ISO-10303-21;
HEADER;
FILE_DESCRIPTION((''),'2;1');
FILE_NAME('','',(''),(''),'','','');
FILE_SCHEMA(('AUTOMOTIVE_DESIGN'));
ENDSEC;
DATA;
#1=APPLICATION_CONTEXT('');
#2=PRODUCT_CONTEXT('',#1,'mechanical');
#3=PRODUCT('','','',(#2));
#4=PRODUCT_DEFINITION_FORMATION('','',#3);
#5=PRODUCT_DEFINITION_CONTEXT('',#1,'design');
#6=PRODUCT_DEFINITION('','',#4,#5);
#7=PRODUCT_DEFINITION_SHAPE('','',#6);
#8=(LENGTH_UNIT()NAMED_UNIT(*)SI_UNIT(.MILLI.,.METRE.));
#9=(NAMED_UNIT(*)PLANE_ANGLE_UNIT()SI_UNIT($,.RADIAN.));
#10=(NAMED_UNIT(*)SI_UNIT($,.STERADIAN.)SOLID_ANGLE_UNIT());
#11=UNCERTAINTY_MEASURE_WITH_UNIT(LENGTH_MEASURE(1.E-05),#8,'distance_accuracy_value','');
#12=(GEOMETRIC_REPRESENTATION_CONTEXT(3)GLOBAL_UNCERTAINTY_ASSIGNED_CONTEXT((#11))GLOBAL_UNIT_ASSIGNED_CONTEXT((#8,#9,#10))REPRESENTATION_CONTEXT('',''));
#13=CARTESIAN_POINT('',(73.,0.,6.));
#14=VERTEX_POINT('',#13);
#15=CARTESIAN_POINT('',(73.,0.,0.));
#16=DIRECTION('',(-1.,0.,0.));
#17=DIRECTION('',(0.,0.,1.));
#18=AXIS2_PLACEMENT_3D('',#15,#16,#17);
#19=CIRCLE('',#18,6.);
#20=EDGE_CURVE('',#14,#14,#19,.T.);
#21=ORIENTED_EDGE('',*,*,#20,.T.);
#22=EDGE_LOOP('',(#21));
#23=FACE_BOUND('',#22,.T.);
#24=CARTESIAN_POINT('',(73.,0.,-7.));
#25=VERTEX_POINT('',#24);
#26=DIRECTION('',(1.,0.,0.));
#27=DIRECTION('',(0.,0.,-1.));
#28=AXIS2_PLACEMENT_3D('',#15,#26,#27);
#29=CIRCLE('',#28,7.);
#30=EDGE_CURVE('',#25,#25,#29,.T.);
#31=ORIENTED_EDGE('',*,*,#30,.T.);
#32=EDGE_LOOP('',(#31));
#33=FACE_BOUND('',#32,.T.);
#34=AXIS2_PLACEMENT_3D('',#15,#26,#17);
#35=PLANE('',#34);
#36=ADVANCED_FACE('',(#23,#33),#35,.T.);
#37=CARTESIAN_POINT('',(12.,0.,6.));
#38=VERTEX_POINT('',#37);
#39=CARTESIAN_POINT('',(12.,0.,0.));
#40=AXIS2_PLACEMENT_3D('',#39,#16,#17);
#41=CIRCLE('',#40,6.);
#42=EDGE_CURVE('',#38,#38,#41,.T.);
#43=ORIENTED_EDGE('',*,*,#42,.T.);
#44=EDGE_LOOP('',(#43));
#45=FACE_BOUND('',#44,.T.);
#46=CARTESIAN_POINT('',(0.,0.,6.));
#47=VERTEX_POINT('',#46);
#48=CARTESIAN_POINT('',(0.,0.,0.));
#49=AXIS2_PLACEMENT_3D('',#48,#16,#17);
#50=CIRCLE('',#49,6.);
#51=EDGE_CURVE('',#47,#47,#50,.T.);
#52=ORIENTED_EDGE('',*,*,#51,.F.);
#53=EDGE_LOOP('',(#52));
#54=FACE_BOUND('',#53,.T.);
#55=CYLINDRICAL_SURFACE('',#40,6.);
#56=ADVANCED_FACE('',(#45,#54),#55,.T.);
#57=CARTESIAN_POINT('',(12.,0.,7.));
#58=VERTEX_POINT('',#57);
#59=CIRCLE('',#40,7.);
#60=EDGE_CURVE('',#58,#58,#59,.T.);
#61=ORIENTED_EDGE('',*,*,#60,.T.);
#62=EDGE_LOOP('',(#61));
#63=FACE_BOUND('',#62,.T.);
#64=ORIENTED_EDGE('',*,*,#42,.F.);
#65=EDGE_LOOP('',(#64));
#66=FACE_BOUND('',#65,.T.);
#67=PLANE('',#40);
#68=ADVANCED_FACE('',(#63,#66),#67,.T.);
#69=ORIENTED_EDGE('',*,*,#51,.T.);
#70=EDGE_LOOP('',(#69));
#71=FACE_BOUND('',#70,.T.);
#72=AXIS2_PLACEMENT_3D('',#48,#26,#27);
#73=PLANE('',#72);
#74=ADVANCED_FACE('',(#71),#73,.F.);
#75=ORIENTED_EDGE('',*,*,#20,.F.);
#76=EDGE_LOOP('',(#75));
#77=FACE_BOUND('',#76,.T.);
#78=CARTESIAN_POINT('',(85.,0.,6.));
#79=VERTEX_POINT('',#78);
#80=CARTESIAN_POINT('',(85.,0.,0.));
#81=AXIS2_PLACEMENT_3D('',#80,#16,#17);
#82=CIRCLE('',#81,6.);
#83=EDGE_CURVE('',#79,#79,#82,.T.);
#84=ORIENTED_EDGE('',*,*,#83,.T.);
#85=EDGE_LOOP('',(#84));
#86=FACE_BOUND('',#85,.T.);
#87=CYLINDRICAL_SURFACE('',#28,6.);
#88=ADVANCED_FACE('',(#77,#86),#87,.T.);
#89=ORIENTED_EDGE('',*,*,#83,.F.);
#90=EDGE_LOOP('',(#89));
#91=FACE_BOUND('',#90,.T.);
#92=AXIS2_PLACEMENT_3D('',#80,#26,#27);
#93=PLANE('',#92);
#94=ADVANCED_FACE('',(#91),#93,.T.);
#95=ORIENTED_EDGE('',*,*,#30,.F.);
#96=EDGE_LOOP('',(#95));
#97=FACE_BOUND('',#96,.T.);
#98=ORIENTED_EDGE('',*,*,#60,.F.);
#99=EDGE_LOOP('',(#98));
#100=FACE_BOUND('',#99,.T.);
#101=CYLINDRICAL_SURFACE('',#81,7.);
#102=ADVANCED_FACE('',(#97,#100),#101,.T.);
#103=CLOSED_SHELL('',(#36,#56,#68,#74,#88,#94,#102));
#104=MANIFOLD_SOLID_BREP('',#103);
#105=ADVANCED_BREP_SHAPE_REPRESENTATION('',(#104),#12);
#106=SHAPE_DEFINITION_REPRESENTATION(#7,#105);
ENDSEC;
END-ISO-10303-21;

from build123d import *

# Parameters (mm, degrees)
SKETCH_1_R          = 7
EXTRUDE_1_DEPTH     = 85
SKETCH_2_R          = 7.5
SKETCH_2_R_2        = 6
CUT_EXTRUDE_1_DEPTH = 12


with BuildPart() as part:
    # 草图1 → 凸台-拉伸1 (new body)
    with BuildSketch(Plane(origin=(0, 0, 0), x_dir=(0, 0, -1), z_dir=(1, 0, 0))):
        Circle(SKETCH_1_R)
    extrude(amount=EXTRUDE_1_DEPTH)

    # 草图2 → 切除-拉伸1 (cut)
    with BuildSketch(Plane.ZY):
        Circle(SKETCH_2_R)
        Circle(SKETCH_2_R_2, mode=Mode.SUBTRACT)
    cut_extrude_1 = extrude(amount=-CUT_EXTRUDE_1_DEPTH, mode=Mode.SUBTRACT)

    # 镜向1: 切除-拉伸1 across plane
    add(cut_extrude_1.mirror(Plane(origin=(42.5, 0, 0), x_dir=(0, 0, 1), z_dir=(1, 0, 0))), mode=Mode.SUBTRACT)


solid = part.part
